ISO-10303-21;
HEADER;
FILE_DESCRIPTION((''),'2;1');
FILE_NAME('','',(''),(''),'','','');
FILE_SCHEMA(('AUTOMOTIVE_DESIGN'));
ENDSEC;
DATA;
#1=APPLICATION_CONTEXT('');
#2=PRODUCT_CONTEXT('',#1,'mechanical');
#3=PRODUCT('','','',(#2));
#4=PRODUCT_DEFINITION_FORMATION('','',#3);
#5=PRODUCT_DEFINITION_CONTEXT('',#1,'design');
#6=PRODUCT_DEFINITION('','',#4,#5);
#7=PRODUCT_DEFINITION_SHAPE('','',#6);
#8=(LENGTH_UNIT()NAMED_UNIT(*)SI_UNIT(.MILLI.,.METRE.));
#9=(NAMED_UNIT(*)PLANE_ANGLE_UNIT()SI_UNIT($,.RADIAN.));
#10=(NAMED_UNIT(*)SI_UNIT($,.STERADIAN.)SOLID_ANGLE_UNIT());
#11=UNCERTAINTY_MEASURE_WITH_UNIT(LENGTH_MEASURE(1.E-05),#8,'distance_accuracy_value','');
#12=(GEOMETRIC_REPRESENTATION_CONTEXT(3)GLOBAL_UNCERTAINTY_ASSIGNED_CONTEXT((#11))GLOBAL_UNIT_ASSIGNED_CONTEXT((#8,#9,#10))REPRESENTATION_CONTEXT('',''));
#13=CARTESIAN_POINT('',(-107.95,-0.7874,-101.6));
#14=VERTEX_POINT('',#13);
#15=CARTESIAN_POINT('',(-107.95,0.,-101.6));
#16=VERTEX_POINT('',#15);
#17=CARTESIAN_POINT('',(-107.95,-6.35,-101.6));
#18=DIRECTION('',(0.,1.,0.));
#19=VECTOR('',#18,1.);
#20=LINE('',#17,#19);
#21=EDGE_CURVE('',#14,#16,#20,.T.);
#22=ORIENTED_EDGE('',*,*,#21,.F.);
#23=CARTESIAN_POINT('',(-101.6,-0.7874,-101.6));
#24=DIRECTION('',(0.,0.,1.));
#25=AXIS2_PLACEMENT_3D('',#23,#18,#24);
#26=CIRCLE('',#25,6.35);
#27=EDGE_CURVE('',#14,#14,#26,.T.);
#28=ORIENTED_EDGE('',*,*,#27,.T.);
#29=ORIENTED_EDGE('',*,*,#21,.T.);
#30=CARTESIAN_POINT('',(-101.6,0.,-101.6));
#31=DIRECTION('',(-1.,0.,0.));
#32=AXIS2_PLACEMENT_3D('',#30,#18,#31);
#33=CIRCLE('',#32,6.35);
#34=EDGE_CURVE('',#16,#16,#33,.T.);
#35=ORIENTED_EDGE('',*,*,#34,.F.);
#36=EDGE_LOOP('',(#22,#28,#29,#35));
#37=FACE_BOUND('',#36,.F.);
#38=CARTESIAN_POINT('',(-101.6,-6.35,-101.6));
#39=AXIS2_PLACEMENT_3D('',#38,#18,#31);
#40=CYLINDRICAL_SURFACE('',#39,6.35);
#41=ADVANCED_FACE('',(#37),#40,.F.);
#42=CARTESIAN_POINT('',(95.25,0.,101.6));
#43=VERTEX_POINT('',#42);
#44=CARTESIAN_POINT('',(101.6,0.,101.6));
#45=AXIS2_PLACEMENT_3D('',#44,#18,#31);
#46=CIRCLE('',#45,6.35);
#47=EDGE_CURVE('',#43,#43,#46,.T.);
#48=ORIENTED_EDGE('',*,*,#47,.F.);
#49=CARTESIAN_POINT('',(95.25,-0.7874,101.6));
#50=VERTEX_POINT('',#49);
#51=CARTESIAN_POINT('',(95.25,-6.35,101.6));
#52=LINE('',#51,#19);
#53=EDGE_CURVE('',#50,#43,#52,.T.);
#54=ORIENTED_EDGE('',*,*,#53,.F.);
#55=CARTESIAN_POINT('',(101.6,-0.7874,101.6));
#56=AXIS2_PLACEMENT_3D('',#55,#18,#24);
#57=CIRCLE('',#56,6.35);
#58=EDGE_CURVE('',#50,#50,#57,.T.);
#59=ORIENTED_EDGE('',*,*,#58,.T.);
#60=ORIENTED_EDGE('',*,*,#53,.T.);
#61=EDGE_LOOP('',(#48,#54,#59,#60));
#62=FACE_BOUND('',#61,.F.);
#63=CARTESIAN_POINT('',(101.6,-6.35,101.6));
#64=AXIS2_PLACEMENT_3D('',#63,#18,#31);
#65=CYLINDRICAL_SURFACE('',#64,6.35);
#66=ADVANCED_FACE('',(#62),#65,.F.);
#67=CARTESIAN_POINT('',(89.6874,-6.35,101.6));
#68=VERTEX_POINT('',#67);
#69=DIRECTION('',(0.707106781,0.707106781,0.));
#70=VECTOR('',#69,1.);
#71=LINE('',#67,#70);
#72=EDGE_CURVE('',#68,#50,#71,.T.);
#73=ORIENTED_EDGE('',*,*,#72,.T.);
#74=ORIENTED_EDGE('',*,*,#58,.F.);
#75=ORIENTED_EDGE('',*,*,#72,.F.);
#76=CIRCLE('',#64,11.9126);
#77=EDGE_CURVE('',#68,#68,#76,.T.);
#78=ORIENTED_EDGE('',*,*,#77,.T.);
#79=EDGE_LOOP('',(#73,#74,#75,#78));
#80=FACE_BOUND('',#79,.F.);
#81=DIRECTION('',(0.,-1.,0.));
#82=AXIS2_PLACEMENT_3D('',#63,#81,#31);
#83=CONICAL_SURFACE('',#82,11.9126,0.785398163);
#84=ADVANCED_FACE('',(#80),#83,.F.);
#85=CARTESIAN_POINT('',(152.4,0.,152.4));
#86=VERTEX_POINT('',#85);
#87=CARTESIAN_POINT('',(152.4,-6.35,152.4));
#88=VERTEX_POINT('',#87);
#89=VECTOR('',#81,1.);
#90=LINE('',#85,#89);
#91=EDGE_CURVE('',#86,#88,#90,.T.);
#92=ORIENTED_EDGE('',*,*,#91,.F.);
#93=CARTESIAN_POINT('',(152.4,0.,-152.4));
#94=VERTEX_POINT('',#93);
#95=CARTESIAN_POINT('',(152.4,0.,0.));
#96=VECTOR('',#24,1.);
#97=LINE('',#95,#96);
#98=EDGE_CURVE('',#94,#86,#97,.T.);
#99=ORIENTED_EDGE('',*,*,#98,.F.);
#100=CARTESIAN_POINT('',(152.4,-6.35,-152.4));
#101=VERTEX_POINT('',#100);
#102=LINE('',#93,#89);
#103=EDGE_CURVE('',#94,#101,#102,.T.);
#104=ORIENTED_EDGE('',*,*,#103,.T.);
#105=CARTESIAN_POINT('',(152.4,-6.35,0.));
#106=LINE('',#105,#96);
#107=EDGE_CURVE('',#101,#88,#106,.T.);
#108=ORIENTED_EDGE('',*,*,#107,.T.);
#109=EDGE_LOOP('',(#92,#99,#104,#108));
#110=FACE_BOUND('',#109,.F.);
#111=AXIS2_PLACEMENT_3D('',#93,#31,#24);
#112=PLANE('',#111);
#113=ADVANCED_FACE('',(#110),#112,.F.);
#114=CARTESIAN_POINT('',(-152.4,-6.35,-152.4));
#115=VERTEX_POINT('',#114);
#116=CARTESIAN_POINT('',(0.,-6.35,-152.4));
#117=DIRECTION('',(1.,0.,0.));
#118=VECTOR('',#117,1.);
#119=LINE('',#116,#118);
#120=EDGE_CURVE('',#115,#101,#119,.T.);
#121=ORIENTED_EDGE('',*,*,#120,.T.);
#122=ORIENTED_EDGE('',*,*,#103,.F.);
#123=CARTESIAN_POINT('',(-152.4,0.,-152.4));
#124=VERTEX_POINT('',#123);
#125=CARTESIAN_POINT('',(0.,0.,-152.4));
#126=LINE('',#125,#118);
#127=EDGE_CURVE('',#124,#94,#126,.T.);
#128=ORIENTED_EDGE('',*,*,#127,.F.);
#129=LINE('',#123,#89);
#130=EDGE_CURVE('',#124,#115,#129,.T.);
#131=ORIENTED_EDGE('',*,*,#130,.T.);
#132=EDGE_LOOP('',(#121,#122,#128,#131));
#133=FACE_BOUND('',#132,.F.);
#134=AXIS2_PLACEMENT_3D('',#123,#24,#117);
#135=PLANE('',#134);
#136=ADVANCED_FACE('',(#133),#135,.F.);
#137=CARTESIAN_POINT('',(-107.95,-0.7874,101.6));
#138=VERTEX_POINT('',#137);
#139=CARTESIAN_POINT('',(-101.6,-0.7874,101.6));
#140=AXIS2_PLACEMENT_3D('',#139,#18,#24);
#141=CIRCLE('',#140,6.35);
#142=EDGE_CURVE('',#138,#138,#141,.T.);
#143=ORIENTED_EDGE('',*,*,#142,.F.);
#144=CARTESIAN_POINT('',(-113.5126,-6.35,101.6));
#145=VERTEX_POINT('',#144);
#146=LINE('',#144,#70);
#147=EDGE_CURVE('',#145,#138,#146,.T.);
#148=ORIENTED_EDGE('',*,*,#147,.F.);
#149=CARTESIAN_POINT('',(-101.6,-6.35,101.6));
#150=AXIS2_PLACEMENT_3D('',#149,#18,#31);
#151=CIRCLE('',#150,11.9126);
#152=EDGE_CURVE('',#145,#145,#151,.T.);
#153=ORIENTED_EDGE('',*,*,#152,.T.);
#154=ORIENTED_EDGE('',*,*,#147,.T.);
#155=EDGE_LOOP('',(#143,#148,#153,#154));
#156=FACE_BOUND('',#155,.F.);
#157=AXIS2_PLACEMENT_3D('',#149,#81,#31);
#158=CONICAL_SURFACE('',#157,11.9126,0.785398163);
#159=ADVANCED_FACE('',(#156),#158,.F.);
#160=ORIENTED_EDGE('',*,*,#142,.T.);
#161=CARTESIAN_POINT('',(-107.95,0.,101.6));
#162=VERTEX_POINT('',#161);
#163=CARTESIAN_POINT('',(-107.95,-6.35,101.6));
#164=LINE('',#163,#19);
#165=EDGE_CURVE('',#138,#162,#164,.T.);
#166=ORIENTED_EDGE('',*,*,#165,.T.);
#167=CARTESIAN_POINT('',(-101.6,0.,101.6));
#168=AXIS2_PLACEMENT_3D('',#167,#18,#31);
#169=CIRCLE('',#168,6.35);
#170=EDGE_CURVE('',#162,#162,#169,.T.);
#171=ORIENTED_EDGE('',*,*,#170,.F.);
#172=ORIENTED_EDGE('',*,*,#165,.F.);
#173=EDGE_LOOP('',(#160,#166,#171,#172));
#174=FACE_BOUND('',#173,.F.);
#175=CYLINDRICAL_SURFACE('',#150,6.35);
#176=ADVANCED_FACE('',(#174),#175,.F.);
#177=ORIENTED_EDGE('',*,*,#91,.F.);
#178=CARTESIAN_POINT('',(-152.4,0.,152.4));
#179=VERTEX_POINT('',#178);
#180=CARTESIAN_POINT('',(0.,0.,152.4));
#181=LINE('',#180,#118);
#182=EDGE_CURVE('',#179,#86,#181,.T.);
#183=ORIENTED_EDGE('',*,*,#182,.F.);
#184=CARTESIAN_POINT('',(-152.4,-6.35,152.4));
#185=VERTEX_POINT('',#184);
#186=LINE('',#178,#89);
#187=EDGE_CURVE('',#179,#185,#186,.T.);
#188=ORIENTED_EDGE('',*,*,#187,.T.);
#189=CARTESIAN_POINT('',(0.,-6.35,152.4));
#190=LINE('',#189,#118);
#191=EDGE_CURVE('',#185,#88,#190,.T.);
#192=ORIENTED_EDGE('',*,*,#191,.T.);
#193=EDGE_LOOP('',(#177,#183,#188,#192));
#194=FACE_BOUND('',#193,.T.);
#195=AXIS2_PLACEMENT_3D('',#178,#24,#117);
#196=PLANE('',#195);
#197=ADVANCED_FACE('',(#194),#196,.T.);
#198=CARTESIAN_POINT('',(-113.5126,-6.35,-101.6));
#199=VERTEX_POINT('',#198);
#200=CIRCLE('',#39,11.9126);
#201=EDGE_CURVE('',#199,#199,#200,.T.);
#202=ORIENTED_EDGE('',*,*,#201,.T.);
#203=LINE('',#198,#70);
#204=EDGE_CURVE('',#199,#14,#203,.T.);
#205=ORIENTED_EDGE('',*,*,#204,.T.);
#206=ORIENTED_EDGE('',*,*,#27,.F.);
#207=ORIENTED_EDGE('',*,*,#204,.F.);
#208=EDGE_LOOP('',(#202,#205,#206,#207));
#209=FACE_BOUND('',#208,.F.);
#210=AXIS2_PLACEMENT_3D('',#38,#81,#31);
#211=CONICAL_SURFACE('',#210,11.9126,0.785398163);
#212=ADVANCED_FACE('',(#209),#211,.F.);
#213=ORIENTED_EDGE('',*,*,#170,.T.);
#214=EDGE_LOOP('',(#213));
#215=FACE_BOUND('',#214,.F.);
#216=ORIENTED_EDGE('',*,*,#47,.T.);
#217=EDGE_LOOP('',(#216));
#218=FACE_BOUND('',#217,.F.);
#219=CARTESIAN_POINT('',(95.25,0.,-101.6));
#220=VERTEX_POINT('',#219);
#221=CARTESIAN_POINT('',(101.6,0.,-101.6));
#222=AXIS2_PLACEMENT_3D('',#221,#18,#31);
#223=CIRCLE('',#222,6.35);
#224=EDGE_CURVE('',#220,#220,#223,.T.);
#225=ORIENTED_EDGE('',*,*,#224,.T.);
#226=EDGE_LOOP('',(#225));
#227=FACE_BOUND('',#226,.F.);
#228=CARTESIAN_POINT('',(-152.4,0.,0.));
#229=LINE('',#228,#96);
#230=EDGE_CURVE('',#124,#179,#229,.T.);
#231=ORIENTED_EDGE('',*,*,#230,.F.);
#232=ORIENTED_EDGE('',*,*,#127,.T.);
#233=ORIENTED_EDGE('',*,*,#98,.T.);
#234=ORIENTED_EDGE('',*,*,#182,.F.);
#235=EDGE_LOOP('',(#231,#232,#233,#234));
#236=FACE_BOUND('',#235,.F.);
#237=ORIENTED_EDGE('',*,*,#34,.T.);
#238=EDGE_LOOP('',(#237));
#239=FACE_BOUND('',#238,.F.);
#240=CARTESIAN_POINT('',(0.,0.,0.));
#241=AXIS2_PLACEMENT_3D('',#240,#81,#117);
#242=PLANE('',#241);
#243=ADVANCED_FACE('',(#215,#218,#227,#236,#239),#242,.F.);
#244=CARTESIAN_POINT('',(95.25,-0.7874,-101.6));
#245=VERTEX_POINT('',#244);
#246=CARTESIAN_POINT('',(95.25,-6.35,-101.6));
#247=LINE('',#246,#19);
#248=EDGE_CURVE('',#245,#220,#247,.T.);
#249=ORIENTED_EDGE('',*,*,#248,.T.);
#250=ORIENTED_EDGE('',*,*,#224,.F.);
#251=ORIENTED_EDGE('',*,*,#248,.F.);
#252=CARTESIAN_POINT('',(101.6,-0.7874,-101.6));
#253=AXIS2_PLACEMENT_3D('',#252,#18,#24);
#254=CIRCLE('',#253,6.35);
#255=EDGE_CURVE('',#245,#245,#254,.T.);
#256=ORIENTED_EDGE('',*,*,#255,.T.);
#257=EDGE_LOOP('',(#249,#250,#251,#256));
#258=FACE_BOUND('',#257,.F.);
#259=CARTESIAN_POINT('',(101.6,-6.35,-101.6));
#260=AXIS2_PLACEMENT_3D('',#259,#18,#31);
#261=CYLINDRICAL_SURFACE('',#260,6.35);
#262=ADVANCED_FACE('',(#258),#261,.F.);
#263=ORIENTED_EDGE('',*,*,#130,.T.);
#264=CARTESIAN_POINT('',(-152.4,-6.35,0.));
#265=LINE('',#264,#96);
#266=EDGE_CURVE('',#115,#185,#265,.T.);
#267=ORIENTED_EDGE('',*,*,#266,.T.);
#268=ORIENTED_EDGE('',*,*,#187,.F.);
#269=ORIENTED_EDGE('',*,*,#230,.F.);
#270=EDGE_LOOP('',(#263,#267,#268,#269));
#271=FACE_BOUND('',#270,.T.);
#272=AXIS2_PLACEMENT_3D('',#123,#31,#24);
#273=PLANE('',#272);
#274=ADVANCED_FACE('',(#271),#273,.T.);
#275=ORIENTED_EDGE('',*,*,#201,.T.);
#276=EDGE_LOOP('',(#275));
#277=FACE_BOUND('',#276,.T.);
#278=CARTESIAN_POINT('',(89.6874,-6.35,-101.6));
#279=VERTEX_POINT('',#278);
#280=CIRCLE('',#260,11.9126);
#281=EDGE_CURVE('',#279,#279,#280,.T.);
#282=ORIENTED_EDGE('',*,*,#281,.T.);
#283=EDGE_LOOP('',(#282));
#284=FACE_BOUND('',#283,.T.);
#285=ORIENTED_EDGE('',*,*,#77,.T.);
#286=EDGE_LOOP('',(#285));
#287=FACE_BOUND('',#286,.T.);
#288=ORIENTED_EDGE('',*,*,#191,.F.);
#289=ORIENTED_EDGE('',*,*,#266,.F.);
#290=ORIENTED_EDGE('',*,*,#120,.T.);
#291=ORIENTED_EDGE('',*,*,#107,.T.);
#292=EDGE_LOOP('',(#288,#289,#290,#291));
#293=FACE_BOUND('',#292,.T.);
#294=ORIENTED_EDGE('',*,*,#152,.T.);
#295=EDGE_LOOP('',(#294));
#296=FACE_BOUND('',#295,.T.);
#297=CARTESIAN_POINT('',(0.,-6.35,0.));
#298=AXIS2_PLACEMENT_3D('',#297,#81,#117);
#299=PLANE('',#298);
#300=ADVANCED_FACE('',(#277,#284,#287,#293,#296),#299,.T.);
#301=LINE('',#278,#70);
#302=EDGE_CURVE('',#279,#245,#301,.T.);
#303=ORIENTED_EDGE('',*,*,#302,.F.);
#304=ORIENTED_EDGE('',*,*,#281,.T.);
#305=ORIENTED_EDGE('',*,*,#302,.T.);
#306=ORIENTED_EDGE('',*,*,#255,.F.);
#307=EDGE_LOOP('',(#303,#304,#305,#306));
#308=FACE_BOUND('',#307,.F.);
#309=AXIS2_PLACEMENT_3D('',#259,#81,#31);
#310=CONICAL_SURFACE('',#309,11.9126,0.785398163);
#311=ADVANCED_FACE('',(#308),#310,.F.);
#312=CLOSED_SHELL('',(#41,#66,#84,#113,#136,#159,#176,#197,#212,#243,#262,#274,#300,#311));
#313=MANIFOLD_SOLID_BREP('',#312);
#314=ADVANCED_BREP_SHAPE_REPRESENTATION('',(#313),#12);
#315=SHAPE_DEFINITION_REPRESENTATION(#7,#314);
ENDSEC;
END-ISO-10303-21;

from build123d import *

# Parameters (mm, degrees)
F0_W           = 304.8
F0_H           = 304.8
F1_DEPTH       = 6.35
F3_D           = 12.7
F3_CSINK_D     = 23.8252
F3_CSINK_ANGLE = 90


with BuildPart() as f1:
    # F0 (on Front) → F1 (new body)
    with BuildSketch(Plane.XZ):
        Rectangle(F0_W, F0_H)
    extrude(amount=F1_DEPTH)

    # F3 (through all)
    with Locations(Plane.XZ.offset(6.35)):
        with Locations((-101.6, 101.6), (101.6, 101.6), (101.6, -101.6), (-101.6, -101.6)):
            CounterSinkHole(F3_D / 2, F3_CSINK_D / 2, counter_sink_angle=F3_CSINK_ANGLE)


solid = f1.part
